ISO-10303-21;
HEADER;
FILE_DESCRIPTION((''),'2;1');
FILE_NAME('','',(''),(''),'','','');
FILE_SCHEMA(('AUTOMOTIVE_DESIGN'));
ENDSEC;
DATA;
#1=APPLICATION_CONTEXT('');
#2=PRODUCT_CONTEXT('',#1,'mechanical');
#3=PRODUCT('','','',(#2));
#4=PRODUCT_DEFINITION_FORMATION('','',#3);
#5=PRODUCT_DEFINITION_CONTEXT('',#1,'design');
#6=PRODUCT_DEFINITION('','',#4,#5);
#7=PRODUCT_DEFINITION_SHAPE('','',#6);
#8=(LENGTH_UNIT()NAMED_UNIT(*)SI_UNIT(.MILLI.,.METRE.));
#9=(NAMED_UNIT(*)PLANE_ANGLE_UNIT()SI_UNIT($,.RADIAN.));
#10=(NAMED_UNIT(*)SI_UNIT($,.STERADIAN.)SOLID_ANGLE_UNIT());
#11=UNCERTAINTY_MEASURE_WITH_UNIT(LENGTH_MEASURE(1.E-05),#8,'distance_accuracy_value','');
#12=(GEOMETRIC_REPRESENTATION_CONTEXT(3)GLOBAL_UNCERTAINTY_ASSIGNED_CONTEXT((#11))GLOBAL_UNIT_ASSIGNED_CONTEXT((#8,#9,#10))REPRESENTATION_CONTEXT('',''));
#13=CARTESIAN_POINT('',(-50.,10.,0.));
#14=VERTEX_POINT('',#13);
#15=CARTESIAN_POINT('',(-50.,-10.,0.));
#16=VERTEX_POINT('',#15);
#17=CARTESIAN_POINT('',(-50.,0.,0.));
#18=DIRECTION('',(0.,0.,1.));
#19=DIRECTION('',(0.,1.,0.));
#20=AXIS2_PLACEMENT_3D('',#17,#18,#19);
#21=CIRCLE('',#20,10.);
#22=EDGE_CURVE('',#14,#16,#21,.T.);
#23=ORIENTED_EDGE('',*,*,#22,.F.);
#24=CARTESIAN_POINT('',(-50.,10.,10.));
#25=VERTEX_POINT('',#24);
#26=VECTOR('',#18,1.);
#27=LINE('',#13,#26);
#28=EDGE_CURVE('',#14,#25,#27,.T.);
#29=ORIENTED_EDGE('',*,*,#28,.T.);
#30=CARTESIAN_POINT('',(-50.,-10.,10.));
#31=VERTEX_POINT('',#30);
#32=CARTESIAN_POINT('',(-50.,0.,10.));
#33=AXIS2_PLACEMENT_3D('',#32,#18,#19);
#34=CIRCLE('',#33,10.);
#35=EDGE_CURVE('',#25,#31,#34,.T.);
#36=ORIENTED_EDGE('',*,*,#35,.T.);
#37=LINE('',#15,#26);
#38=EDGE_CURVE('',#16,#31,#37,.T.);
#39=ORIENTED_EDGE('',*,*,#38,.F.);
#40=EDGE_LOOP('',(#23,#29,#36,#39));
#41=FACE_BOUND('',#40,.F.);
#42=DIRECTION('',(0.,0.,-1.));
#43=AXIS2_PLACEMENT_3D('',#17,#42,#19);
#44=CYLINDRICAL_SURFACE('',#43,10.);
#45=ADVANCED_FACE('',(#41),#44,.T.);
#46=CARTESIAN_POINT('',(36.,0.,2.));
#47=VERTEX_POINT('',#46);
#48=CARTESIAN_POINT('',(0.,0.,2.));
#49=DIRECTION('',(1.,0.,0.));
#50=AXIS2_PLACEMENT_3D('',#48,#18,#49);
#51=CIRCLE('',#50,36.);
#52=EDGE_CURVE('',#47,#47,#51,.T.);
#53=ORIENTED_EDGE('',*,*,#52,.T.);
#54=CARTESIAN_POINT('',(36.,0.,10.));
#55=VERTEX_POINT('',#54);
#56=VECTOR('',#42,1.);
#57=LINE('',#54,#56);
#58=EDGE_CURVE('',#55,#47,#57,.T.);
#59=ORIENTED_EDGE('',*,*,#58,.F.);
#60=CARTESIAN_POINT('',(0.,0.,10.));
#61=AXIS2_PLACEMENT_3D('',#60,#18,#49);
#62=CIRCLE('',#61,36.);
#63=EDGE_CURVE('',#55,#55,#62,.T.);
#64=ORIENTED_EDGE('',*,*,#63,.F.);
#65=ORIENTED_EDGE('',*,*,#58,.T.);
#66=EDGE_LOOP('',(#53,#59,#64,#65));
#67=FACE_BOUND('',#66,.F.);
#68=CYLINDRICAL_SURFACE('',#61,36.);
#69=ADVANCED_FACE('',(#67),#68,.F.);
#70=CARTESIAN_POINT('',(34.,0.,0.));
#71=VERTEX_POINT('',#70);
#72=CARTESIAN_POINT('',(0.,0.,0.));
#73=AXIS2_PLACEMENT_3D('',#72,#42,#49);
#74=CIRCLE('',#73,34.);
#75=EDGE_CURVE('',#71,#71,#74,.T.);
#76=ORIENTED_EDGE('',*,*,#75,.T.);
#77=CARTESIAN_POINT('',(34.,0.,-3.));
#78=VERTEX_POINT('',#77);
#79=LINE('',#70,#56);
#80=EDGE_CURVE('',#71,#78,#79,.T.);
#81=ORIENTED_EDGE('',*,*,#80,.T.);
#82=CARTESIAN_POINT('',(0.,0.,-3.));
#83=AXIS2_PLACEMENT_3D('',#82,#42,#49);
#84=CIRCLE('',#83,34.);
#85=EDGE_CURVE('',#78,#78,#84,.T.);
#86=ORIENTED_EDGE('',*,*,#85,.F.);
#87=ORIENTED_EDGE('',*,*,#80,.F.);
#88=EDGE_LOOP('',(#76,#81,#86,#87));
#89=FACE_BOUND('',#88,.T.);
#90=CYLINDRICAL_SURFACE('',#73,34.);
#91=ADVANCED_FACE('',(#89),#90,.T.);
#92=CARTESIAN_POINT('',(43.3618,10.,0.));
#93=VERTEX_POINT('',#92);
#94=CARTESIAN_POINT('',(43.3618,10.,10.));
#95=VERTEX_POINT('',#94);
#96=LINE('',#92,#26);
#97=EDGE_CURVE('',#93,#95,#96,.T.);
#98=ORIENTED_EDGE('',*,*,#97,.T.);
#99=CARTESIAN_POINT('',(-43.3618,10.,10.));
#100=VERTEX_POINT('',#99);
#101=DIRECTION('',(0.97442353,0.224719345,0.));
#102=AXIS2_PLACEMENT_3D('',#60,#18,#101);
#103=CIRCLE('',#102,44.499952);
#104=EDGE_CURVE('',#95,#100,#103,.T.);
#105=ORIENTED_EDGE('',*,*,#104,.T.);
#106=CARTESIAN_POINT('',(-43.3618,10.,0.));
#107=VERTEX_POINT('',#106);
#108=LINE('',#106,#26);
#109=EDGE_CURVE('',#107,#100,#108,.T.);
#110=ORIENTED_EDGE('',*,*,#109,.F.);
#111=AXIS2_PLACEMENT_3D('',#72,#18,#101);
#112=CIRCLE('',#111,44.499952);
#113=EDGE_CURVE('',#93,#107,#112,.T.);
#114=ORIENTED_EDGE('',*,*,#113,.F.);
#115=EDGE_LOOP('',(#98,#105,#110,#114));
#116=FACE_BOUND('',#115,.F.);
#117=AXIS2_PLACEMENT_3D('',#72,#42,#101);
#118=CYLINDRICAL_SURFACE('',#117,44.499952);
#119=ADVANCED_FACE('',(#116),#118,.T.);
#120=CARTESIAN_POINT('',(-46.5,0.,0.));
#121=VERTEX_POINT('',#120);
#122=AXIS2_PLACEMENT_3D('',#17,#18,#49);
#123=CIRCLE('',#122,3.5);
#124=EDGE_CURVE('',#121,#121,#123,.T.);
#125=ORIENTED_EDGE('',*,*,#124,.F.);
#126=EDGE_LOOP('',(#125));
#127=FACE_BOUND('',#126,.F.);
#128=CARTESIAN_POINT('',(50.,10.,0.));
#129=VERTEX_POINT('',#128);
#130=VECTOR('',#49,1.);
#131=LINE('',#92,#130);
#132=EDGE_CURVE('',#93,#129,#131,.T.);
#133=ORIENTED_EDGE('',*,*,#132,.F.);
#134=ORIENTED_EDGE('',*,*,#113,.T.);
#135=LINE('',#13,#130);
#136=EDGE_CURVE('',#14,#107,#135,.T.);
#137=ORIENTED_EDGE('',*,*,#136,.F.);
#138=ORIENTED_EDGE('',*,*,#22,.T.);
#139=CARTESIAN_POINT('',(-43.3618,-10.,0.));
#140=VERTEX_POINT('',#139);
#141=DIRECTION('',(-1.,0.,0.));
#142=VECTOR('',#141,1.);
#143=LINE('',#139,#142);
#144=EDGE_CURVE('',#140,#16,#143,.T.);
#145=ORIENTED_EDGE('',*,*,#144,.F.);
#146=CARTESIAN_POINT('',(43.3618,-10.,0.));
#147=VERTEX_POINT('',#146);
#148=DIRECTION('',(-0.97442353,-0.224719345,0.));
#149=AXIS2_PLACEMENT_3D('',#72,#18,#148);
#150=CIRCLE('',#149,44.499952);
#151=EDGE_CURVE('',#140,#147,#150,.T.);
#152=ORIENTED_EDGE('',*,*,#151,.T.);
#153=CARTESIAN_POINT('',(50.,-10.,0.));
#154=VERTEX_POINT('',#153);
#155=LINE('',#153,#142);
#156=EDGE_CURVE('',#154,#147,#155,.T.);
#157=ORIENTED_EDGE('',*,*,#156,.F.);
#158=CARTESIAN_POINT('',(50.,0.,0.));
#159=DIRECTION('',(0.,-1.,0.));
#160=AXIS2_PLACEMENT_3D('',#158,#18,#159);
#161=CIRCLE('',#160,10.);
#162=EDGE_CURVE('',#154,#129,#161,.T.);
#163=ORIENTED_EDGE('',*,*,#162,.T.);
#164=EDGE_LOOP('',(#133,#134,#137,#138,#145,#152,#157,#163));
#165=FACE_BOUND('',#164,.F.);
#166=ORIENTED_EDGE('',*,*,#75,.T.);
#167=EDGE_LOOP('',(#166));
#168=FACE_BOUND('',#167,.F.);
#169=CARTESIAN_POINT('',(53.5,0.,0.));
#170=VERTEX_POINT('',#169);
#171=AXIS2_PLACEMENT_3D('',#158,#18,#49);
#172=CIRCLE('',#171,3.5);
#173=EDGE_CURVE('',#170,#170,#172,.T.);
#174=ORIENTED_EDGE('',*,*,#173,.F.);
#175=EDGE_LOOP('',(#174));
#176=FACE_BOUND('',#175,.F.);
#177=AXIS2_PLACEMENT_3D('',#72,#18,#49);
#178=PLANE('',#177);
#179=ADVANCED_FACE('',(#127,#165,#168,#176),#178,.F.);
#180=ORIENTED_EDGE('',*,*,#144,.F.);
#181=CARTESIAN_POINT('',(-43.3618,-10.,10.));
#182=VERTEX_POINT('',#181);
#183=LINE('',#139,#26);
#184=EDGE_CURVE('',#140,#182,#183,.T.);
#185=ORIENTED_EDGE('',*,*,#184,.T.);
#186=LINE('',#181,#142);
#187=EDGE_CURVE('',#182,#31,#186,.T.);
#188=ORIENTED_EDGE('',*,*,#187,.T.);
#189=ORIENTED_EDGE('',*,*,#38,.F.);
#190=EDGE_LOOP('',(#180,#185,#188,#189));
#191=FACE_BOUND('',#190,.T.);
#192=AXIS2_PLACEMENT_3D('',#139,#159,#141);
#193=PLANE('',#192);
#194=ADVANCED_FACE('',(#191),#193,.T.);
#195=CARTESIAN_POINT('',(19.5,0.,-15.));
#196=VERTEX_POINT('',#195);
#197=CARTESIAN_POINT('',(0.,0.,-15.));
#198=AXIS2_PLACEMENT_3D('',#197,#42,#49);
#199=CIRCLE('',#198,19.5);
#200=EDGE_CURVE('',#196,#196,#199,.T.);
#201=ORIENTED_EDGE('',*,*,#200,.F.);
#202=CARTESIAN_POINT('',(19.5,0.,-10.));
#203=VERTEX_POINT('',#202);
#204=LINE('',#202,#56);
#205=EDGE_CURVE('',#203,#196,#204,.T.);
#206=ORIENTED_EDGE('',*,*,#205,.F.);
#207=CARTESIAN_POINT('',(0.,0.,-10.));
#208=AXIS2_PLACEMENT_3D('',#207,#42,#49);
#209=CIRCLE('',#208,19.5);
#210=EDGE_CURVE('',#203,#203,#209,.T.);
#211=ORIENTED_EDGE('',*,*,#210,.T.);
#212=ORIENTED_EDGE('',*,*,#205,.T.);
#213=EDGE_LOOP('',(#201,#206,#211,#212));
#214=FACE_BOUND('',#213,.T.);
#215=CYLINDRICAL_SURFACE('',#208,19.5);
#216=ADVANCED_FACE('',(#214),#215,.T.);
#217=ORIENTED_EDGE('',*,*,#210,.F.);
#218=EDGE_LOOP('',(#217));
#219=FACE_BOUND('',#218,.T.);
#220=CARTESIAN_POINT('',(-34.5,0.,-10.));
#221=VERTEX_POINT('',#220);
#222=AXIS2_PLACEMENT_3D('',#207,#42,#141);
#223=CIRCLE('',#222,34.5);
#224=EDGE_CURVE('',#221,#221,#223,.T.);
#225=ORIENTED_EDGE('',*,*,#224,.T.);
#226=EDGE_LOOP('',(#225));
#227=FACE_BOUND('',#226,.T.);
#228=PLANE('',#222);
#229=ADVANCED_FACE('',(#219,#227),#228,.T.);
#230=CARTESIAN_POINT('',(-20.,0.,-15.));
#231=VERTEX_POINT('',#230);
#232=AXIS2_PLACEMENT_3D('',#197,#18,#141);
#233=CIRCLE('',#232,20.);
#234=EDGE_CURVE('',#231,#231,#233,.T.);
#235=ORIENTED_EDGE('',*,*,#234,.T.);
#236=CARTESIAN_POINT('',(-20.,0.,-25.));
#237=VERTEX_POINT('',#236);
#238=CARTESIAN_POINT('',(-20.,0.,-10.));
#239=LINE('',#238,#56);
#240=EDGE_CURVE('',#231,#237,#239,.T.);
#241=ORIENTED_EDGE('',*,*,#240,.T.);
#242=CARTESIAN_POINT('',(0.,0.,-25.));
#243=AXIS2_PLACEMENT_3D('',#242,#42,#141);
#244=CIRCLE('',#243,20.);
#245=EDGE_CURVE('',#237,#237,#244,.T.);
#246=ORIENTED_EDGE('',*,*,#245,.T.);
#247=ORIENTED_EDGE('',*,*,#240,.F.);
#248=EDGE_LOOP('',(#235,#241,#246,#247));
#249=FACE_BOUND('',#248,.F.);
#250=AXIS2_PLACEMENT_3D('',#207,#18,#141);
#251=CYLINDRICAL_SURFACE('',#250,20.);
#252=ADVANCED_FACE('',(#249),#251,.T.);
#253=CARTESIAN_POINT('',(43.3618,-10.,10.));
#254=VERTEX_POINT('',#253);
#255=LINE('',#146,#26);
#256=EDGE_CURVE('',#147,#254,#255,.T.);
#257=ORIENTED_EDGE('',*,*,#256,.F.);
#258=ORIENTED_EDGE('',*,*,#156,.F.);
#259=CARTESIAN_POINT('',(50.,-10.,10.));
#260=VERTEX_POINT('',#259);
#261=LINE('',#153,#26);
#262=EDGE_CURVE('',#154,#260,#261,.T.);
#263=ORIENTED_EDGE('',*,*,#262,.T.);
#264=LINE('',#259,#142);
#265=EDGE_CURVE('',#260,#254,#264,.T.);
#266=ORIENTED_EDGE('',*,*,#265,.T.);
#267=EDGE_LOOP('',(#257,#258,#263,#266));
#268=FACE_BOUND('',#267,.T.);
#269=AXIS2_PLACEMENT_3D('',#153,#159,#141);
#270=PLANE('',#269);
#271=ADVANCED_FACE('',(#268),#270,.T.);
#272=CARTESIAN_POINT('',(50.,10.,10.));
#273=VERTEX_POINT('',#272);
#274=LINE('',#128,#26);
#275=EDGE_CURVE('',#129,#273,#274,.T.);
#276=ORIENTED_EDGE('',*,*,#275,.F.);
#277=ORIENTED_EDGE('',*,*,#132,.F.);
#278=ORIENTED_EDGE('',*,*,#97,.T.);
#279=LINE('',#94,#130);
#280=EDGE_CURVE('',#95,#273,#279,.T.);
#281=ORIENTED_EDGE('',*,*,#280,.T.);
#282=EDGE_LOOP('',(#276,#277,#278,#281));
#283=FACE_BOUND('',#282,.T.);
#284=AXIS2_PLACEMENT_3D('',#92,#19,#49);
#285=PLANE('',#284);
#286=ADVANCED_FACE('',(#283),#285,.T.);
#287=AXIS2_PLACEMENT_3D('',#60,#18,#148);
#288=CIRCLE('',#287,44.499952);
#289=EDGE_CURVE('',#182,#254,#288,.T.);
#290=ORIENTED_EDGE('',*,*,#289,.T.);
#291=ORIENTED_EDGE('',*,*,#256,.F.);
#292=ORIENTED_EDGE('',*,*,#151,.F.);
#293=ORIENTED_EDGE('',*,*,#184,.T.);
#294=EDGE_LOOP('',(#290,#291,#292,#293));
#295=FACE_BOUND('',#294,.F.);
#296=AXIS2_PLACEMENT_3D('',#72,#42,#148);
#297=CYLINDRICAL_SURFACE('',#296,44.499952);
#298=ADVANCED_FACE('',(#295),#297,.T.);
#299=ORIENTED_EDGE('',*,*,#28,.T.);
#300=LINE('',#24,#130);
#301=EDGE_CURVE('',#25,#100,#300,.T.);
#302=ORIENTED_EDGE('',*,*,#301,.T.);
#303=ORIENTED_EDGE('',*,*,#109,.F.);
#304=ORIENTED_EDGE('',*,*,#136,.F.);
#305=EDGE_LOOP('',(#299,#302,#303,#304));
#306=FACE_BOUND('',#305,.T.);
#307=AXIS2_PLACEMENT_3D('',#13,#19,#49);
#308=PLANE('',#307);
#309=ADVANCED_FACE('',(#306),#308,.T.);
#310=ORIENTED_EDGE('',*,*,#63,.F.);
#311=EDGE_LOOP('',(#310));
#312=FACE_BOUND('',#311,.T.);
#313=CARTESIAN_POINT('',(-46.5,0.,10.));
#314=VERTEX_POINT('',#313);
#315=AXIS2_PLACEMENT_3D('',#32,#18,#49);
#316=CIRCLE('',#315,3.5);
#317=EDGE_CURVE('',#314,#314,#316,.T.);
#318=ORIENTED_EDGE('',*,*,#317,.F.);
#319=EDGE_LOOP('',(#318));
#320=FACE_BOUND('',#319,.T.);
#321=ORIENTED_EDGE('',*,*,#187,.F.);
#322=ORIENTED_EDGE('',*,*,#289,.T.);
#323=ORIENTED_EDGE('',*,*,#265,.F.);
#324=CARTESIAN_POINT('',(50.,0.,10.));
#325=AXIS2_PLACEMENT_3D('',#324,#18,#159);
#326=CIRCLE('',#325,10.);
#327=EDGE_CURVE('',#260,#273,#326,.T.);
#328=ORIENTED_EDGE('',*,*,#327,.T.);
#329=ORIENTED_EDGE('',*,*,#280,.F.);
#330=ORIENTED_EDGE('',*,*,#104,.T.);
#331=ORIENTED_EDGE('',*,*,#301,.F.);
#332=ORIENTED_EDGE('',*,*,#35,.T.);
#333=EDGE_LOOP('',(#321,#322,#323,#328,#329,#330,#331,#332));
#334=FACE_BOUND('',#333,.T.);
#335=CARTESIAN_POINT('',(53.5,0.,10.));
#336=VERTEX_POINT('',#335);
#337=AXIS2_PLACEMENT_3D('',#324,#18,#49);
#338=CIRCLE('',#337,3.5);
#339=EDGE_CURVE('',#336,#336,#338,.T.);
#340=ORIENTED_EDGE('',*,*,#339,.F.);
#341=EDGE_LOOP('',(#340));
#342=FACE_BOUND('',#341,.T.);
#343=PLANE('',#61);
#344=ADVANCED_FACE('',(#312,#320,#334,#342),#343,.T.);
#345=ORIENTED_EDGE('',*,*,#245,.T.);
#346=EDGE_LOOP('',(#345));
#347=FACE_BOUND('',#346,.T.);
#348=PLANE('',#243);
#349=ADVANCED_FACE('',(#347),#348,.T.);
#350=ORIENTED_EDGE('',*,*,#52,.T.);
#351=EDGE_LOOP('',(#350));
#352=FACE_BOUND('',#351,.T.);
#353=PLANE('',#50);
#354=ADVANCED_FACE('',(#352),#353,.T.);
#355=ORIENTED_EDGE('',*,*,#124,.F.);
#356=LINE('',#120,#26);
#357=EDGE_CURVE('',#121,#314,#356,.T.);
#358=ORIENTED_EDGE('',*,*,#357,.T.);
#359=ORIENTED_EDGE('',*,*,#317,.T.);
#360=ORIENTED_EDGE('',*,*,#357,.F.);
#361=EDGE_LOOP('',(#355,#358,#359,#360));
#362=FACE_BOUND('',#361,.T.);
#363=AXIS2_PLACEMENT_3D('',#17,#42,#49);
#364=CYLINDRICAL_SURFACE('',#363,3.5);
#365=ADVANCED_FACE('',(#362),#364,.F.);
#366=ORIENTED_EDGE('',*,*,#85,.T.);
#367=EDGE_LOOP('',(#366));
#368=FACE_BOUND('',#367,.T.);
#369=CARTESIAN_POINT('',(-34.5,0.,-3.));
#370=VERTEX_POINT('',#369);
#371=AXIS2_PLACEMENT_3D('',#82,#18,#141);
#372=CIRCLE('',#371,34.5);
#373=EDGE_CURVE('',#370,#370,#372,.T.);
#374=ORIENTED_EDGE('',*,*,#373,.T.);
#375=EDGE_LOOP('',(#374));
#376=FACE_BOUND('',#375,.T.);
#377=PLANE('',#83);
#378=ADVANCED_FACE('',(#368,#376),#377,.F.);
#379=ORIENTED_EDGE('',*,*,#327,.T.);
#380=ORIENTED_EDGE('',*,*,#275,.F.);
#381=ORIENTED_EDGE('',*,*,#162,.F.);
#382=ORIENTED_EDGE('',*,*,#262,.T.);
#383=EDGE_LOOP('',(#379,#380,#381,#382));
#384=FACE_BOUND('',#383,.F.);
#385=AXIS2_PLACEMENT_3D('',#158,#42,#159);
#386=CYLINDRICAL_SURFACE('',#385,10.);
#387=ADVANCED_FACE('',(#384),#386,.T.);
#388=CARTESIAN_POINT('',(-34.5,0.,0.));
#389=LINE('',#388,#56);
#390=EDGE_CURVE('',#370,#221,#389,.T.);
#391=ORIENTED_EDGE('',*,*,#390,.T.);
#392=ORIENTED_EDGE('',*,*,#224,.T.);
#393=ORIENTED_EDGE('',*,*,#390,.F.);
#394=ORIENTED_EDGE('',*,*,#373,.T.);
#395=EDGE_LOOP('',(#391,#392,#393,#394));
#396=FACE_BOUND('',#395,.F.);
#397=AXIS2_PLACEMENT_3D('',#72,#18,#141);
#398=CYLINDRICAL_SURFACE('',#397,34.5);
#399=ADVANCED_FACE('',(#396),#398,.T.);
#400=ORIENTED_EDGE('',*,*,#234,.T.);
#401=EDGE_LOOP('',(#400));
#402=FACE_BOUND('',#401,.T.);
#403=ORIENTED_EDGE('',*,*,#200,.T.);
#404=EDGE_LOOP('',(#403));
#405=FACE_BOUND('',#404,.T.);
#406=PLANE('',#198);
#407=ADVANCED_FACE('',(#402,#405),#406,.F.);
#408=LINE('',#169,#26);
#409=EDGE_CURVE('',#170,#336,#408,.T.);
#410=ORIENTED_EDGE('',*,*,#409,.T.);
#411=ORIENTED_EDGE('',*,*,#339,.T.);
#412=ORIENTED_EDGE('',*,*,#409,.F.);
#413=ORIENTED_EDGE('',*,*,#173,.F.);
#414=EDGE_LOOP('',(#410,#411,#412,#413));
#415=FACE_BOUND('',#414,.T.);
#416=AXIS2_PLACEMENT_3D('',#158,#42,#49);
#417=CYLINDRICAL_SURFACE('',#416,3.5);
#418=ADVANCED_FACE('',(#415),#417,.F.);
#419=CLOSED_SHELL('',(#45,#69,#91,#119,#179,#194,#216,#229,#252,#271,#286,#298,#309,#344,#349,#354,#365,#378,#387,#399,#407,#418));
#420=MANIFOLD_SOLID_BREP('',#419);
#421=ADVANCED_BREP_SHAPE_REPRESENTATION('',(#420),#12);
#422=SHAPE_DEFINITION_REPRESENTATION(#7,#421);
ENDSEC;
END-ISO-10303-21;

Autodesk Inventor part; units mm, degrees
ref_plane "YZ Plane" through (0, 0, 0) normal (1, 0, 0) x (0, 1, 0)
ref_plane "XZ Plane" through (0, 0, 0) normal (0, 1, 0) x (-1, 0, 0)
ref_plane "XY Plane" through (0, 0, 0) normal (0, 0, 1) x (1, 0, 0)
sketch "Sketch1" plane through (0, 0, 0) normal (0, 0, 1) x (1, 0, 0)
  arc A0 (50, -10) -> (50, 10) centre (50, 0) ccw
  arc A1 (-50, 10) -> (-50, -10) centre (-50, 0) ccw
  arc A2 (-43.3618, -10) -> (43.3618, -10) centre (0, 0) ccw
  arc A3 (43.3618, 10) -> (-43.3618, 10) centre (0, 0) ccw
  circle A4 centre (-50, 0) radius 3.5
  circle A5 centre (50, 0) radius 3.5
  line L0 (50, -10) -> (43.3618, -10)
  line L1 (-43.3618, -10) -> (-50, -10)
  line L2 (-50, 10) -> (-43.3618, 10)
  line L3 (43.3618, 10) -> (50, 10)
  dimension "d1" = 20
  dimension "d2" = 20
  dimension "d4" = 50
  dimension "d5" = 50
  dimension "d6" = 7
  dimension "d7" = 7
extrude "Extrusion1" add sketch "Sketch1" along normal blind 10
sketch "Sketch2" plane through (0, 0, 10) normal (0, 0, 1) x (1, 0, 0)
  circle A0 centre (0, 0) radius 36
  dimension "d10" = 72
extrude "Extrusion2" cut sketch "Sketch2" against normal blind 8
sketch "Sketch3" plane through (0, 0, 0) normal (0, 0, -1) x (-1, 0, 0)
  circle A0 centre (0, 0) radius 34.5
  dimension "d13" = 69
extrude "Extrusion3" add sketch "Sketch3" along normal blind 10
sketch "Sketch4" plane through (0, 0, -10) normal (0, 0, -1) x (-1, 0, 0)
  circle A0 centre (0, 0) radius 20
  dimension "d16" = 40
extrude "Extrusion4" add sketch "Sketch4" along normal blind 15
sketch "Sketch6" plane through (0, 0, 0) normal (0, 1, 0) x (-1, 0, 0)
  line L0 (-34.5, 0) -> (-34.5, -10) projected
  line L1 (-34.5, 0) -> (-34, 0)
  line L2 (-34, 0) -> (-34, -3)
  line L3 (-34, -3) -> (-34.5, -3)
  line L4 (-34.5, -3) -> (-34.5, 0)
  line L5 (-34.5, -10) -> (34.5, -10) projected
  line L6 (-20, -10) -> (-20, -25) projected
  line L7 (-20, -10) -> (-19.5, -10)
  line L8 (-19.5, -10) -> (-19.5, -15)
  line L9 (-19.5, -15) -> (-20, -15)
  line L10 (-20, -15) -> (-20, -10)
  line L11 (0, 12.5498) -> (0, -27.5159) construction
  point P0 (0, 0)
  dimension "d19" = 0.5
  dimension "d20" = 3
  dimension "d21" = 7
  dimension "d22" = 0.5
  dimension "d23" = 5
revolve "Revolution1" cut sketch "Sketch6" angle 360 about axis through (0, 0, 12.5498) along (0, 0, -1)
properties part number "Prato do Amassador"
